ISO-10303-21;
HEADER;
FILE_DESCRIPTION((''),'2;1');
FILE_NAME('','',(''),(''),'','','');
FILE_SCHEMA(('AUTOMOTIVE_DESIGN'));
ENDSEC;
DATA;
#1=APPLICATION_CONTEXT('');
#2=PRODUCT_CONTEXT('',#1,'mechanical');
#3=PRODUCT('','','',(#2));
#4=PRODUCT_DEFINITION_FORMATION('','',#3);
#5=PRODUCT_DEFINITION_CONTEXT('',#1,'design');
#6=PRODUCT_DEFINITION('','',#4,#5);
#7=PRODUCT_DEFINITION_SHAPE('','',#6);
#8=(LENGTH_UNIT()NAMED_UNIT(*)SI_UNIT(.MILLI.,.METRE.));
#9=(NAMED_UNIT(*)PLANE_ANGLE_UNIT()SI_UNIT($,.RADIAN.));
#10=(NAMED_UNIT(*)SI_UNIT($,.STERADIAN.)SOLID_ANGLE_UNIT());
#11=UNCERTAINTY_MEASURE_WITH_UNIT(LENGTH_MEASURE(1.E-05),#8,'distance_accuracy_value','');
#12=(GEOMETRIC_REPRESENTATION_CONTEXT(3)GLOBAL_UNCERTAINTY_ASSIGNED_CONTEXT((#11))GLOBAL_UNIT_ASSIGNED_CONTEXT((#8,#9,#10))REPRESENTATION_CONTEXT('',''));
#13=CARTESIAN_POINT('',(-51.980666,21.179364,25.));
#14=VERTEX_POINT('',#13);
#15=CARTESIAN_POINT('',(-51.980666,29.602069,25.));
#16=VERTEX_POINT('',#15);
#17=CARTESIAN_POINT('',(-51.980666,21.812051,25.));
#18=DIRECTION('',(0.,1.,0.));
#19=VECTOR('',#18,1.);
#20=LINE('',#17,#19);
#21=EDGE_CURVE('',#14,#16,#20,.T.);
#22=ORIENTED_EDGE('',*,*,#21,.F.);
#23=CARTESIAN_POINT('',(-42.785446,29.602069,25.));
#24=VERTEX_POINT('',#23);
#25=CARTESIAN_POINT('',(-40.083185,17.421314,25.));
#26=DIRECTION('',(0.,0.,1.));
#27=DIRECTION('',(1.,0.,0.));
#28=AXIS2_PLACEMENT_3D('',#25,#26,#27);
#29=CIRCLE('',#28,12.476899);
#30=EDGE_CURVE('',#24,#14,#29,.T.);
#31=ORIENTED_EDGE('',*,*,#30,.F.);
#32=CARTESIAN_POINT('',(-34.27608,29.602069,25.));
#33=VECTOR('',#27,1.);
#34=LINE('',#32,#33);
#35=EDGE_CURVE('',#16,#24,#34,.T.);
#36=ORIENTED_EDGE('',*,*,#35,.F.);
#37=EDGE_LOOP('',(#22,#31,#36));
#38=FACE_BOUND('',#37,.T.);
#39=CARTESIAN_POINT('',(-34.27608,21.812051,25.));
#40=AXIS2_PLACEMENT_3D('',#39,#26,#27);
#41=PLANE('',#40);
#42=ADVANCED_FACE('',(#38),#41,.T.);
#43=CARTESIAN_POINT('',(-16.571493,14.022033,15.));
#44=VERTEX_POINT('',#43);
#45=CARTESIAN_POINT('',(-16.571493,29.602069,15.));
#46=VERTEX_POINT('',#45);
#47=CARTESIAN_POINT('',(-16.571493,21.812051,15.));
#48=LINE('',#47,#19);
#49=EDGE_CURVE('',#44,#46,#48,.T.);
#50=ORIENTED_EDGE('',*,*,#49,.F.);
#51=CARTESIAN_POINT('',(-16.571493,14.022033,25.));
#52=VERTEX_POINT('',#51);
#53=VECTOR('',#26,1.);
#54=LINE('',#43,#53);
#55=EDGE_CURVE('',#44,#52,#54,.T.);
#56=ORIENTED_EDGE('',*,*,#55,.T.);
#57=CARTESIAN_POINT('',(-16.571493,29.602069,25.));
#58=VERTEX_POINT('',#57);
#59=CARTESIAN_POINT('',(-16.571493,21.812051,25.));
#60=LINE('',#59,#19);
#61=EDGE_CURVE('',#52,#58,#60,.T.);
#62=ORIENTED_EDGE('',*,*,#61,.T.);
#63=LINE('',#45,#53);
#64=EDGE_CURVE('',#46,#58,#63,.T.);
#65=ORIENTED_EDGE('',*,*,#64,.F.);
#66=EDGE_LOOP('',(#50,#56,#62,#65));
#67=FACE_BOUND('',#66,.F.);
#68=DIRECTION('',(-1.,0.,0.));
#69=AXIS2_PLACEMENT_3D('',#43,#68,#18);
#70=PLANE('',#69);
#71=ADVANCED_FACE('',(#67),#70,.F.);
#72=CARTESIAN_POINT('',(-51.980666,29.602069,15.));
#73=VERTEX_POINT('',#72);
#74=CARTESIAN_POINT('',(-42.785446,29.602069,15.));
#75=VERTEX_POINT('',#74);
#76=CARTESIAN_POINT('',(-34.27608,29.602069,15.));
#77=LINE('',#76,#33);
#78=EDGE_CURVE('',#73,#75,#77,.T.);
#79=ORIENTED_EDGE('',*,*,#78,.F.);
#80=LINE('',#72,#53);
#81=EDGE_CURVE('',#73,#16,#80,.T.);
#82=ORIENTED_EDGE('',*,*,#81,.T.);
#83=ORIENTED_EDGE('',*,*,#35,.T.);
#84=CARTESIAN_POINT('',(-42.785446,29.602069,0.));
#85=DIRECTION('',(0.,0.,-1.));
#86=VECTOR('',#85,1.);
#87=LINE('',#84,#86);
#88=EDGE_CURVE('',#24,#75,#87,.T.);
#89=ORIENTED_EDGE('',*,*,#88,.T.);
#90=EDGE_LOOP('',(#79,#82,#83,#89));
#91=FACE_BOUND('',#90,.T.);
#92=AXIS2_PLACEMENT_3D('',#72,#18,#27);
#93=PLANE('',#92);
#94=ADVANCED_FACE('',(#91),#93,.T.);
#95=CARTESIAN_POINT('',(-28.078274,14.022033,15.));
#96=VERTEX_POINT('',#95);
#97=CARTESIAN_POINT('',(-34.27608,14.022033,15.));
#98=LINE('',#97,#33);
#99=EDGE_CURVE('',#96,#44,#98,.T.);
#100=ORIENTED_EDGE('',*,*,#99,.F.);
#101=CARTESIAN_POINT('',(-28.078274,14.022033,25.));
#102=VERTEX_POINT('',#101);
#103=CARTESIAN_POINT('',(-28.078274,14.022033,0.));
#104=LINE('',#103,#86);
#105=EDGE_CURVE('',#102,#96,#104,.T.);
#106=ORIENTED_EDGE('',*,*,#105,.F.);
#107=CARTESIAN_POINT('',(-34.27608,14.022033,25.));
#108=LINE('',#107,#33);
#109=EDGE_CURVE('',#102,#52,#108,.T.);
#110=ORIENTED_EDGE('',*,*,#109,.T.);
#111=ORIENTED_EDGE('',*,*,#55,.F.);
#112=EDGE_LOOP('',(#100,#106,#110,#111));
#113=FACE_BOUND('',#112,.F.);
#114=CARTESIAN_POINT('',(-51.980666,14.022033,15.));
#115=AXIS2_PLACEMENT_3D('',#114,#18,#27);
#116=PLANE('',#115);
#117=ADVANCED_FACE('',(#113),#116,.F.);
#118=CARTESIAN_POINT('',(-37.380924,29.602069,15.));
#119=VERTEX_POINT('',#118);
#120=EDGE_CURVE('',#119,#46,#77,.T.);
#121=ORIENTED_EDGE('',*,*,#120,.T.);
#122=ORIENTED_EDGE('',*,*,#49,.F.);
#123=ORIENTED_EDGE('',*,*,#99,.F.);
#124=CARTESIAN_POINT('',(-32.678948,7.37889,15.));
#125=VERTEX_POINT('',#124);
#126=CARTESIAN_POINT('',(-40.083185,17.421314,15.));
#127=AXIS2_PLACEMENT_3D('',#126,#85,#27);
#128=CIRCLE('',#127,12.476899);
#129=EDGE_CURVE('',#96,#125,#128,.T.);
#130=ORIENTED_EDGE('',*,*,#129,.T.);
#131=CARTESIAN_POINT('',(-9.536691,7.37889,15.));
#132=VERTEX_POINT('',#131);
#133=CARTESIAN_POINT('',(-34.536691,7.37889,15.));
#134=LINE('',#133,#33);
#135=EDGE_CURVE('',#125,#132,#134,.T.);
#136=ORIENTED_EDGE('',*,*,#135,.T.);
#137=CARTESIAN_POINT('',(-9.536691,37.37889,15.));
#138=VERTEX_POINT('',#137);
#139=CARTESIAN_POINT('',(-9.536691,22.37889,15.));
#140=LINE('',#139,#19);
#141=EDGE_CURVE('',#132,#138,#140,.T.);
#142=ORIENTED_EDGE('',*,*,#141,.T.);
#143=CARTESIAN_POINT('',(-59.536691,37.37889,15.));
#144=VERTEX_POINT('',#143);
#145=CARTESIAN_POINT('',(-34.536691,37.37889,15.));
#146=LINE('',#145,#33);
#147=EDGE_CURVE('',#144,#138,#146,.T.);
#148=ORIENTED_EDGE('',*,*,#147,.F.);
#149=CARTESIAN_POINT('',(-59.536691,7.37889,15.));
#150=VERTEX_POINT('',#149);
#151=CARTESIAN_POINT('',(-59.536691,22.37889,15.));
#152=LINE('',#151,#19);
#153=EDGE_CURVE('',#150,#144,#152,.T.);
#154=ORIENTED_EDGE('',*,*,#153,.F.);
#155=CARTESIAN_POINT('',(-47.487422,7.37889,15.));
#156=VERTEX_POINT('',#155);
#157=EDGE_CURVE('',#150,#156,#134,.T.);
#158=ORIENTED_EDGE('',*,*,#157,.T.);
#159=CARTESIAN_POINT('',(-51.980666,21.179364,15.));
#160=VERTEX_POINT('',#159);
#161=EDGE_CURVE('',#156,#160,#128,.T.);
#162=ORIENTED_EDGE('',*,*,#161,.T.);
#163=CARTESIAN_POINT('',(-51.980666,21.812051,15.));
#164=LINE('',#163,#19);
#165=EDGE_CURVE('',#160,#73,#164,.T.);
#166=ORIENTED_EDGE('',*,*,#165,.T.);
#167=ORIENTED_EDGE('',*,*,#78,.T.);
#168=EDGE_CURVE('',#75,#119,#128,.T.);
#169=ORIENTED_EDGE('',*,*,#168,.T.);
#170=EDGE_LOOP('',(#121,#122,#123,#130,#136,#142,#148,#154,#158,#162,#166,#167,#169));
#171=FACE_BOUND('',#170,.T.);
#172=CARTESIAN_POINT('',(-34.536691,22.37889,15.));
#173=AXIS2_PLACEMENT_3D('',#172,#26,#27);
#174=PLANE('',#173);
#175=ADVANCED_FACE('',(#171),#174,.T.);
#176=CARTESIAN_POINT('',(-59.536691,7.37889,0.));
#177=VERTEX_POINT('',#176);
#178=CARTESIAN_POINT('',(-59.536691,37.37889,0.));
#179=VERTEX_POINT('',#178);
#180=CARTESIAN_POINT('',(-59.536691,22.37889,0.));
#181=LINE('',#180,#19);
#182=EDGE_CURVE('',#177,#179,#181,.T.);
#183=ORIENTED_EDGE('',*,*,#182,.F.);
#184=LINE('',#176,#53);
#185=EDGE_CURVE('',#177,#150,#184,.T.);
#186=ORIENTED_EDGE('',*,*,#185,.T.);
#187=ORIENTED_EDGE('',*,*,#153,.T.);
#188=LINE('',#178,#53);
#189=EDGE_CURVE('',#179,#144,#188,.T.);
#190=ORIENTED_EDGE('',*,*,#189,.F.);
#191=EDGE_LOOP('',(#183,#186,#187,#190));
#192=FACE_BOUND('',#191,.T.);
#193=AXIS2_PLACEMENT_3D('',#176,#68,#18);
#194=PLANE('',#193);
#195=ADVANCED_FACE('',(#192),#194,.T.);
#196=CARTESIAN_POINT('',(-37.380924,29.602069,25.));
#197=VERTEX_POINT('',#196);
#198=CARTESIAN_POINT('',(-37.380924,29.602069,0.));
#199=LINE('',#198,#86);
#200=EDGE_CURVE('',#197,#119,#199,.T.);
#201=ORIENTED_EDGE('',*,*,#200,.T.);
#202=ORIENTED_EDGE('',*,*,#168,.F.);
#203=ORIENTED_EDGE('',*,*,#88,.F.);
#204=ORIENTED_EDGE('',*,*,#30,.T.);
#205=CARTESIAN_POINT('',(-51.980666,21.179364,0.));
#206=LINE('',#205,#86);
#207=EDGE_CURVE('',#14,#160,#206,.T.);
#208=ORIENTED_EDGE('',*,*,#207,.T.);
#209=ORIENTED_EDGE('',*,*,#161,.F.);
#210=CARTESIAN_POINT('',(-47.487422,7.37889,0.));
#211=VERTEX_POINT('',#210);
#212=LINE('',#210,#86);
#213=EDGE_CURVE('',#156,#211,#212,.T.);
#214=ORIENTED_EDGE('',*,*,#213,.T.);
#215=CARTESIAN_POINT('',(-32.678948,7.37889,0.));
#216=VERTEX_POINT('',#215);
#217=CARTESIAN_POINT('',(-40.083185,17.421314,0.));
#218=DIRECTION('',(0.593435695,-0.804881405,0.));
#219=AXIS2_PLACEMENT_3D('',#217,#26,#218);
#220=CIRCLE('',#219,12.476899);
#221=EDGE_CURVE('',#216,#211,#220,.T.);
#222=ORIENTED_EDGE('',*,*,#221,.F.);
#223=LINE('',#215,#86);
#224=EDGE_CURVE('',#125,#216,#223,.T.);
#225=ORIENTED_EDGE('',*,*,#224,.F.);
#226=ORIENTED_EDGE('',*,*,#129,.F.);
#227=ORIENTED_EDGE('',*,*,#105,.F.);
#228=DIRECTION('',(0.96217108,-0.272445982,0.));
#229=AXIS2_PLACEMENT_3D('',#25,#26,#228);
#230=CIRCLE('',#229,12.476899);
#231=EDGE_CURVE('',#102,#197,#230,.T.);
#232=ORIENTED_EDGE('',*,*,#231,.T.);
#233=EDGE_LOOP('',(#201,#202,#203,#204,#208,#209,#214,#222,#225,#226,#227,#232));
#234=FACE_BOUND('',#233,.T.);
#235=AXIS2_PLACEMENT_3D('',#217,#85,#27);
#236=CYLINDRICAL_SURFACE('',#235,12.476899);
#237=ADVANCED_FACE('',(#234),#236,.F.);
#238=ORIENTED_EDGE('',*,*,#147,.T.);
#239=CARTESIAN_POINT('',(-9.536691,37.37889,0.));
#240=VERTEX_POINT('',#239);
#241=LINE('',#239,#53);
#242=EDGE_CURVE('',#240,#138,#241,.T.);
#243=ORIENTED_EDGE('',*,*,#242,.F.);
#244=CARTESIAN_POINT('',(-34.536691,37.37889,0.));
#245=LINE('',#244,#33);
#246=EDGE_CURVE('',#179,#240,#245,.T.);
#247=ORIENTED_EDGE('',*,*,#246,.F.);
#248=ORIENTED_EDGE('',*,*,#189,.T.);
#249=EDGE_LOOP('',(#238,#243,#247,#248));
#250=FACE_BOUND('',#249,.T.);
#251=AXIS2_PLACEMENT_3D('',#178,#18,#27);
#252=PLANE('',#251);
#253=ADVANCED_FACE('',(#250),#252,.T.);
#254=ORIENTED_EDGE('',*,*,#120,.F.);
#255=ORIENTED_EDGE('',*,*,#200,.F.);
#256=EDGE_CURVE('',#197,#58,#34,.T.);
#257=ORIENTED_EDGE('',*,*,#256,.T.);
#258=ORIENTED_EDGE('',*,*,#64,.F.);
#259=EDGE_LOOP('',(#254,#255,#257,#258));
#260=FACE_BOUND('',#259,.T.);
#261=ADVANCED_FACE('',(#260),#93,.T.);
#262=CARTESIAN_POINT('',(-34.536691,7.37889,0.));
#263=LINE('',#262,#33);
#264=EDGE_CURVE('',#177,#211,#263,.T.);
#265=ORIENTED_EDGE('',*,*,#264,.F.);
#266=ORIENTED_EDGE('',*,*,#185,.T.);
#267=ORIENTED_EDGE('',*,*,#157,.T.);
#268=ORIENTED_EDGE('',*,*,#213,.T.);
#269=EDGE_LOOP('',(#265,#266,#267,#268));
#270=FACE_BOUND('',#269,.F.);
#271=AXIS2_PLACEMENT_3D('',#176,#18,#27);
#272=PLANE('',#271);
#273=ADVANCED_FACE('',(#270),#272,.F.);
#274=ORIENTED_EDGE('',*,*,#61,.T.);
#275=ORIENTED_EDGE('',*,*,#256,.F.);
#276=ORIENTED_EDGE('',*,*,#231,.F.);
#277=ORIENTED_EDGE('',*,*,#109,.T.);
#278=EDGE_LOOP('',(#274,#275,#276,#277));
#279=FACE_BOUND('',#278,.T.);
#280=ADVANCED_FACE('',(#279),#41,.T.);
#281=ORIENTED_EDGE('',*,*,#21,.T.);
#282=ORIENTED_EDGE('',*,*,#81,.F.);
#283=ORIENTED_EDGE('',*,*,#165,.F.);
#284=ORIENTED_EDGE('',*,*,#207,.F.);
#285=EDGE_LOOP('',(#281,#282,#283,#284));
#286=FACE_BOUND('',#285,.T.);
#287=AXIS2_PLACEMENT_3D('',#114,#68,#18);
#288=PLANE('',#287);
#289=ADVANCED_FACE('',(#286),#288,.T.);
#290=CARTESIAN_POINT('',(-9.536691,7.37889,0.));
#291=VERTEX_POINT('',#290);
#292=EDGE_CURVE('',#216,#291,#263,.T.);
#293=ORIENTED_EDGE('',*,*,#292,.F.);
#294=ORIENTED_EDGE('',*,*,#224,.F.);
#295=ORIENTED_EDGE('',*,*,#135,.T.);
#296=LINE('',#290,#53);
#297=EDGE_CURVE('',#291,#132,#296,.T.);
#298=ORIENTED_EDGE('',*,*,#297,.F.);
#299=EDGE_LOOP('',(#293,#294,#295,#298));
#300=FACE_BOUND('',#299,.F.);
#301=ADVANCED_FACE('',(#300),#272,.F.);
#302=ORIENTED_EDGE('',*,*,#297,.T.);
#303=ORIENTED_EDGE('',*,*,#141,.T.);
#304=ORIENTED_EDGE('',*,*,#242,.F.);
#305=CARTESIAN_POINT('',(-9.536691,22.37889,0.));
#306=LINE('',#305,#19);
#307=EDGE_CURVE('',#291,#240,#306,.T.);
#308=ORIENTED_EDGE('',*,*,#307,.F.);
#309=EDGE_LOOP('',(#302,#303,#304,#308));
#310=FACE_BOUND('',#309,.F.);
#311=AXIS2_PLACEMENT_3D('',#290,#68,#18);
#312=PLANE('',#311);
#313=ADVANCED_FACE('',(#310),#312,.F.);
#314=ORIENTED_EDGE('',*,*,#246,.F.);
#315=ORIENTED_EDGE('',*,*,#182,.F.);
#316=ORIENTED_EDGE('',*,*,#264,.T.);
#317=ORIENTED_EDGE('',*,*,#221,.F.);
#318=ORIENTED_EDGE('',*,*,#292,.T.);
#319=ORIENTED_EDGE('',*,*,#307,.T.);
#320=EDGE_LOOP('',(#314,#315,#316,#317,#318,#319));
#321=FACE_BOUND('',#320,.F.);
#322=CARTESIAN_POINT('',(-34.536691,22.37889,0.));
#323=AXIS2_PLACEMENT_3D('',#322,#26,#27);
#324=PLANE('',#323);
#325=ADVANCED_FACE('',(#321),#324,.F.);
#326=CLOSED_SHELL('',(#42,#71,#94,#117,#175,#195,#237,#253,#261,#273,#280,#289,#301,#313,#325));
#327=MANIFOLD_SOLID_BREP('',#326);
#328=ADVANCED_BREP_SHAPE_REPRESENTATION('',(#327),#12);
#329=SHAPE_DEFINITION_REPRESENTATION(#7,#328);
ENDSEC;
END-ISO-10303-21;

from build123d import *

# Parameters (mm, degrees)
F0_W     = 50
F0_H     = 30
F1_DEPTH = 15
F2_W     = 35.409173
F2_H     = 15.580036
F3_DEPTH = 10
F4_R     = 12.476899
F5_DEPTH = 25


with BuildPart() as f1:
    # F0 (on Top) → F1 (new body)
    with BuildSketch(Plane.XY):
        with Locations((-34.536691, 22.37889)):
            Rectangle(F0_W, F0_H)
    extrude(amount=F1_DEPTH)

    # F2 (on face) → F3 (join)
    with BuildSketch(Plane.XY.offset(15)):
        with Locations((-34.27608, 21.812051)):
            Rectangle(F2_W, F2_H)
    extrude(amount=F3_DEPTH)

    # F4 (on Top) → F5 (cut)
    with BuildSketch(Plane.XY):
        with Locations((-40.083185, 17.421314)):
            Circle(F4_R)
    extrude(amount=F5_DEPTH, mode=Mode.SUBTRACT)


solid = f1.part
